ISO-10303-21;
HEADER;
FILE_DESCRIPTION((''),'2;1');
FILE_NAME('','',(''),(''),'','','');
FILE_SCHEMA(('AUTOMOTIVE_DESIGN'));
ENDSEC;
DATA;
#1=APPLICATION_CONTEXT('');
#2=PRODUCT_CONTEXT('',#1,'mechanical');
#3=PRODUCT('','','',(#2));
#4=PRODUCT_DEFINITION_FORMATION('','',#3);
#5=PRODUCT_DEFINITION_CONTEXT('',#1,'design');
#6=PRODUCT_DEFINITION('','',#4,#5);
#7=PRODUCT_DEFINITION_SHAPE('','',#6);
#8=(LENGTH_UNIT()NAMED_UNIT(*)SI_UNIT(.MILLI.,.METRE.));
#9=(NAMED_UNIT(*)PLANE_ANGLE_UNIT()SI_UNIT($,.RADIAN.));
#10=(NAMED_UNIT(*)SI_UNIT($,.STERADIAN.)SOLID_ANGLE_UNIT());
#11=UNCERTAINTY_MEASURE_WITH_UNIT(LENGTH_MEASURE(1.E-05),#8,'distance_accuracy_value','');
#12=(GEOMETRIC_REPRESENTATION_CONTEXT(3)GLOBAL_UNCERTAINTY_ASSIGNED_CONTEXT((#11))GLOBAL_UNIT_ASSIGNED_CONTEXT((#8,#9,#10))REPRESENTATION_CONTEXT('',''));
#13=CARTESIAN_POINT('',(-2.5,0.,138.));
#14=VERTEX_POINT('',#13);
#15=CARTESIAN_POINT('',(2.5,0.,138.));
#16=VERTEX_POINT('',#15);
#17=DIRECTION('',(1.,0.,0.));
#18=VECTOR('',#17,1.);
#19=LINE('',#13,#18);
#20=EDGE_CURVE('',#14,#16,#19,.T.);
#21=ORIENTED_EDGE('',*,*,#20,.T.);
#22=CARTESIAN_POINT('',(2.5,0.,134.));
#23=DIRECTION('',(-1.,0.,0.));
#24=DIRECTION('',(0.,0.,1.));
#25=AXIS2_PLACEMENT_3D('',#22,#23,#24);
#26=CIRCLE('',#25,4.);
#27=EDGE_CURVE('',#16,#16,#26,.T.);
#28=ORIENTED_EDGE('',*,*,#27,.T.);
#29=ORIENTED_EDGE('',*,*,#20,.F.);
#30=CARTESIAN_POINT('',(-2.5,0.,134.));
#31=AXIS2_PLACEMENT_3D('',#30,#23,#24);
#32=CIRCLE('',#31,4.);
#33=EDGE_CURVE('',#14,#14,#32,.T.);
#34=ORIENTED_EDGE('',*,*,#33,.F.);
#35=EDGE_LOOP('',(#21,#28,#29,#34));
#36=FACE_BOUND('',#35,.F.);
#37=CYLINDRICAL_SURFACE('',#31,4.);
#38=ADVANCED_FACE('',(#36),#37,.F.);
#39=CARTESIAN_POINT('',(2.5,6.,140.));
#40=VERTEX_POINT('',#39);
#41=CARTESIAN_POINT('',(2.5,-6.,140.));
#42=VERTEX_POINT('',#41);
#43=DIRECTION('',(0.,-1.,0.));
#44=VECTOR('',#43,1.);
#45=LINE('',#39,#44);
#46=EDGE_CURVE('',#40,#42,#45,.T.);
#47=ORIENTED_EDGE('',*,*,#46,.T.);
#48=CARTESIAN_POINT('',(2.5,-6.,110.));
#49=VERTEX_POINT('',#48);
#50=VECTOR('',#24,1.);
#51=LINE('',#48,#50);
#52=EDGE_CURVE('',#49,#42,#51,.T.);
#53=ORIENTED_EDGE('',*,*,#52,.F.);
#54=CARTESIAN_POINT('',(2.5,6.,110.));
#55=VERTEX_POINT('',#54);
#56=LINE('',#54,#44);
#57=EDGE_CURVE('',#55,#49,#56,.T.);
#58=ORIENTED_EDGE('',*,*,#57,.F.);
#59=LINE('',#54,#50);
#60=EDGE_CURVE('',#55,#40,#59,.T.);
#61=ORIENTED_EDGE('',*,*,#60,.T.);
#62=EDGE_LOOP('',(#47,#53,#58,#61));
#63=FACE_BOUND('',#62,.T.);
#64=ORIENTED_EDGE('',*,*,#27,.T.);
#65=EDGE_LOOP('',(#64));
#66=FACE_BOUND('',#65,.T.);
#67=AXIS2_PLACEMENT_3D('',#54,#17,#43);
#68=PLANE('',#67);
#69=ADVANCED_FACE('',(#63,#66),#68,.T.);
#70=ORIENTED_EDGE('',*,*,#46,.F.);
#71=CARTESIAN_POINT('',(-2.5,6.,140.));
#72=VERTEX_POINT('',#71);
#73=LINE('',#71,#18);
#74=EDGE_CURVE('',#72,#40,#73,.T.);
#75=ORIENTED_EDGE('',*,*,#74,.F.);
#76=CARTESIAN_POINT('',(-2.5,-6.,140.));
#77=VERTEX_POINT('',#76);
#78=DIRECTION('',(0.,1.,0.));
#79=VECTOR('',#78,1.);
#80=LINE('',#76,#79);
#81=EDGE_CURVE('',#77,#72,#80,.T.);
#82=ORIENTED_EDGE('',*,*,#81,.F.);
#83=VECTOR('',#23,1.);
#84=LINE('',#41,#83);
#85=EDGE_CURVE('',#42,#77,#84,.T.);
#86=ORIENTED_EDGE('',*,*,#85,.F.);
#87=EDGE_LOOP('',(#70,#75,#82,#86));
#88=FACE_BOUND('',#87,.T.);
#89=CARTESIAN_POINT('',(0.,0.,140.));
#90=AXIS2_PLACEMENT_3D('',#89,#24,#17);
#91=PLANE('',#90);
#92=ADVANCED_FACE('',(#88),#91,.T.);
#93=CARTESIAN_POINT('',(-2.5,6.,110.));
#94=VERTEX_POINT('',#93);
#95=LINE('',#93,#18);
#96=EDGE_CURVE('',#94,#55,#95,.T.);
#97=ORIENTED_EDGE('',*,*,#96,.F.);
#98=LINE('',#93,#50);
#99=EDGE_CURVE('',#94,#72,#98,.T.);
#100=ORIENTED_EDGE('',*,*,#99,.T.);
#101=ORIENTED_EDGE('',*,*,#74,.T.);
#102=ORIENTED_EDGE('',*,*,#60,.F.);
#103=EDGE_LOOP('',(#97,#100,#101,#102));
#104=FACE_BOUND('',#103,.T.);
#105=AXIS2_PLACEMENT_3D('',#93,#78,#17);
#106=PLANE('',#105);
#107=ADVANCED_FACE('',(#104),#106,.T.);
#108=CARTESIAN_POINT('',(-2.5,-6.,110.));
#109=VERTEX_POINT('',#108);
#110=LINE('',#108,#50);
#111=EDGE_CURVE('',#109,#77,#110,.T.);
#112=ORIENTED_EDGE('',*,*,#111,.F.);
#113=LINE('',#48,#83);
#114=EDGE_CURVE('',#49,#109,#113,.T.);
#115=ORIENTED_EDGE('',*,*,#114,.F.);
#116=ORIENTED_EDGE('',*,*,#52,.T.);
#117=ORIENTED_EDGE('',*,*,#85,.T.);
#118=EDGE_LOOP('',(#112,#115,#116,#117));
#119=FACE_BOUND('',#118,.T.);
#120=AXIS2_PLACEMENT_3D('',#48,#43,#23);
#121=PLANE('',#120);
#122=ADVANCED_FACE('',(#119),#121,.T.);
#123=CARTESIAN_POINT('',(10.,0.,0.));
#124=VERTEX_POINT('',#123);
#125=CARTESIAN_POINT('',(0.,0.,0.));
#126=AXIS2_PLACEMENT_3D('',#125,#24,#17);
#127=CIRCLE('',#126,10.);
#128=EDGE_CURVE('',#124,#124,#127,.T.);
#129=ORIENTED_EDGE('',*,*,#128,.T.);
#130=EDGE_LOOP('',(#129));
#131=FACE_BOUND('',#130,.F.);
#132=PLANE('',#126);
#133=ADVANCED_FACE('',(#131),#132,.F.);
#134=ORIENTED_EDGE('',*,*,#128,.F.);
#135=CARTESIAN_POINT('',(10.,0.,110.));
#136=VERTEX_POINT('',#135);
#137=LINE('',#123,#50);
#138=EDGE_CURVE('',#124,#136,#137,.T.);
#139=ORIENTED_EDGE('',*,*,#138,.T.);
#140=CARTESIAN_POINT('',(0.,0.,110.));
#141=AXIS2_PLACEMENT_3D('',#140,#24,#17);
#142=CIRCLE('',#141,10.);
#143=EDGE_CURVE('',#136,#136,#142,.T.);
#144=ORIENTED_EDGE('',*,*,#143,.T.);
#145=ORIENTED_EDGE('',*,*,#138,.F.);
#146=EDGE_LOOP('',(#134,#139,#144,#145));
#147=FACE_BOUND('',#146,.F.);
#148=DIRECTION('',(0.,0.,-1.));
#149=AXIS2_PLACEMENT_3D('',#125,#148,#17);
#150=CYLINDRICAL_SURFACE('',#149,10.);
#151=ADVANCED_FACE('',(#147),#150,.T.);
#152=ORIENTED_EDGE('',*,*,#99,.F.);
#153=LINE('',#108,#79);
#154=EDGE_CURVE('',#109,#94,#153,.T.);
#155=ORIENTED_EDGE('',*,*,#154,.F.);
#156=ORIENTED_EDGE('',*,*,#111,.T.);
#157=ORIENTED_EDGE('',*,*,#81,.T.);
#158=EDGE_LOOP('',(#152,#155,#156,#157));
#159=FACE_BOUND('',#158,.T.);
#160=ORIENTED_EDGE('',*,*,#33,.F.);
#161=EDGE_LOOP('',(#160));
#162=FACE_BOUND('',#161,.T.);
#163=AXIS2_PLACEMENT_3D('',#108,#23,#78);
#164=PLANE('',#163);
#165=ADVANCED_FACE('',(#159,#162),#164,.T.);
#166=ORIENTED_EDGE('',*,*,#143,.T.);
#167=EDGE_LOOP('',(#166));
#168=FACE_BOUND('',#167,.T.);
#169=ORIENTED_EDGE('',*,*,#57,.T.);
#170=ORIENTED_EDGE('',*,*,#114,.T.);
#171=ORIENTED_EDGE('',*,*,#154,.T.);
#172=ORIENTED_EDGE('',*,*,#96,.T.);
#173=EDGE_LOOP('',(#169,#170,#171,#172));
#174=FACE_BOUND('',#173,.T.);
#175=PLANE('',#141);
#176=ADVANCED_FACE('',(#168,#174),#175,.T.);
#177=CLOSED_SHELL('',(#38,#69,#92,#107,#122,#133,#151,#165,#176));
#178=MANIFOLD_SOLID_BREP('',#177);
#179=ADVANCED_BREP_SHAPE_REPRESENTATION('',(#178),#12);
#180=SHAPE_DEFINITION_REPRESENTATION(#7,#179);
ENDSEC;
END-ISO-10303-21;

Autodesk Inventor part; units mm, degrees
ref_plane "YZ Plane" through (0, 0, 0) normal (1, 0, 0) x (0, 1, 0)
ref_plane "XZ Plane" through (0, 0, 0) normal (0, 1, 0) x (-1, 0, 0)
ref_plane "XY Plane" through (0, 0, 0) normal (0, 0, 1) x (1, 0, 0)
sketch "Boceto1" plane through (0, 0, 0) normal (0, 0, 1) x (1, 0, 0)
  circle A0 centre (0, 0) radius 10
  dimension "d0" = 20
extrude "Extrusión1" add sketch "Boceto1" along normal blind 110
sketch "Boceto2" plane through (0, 0, 110) normal (0, 0, 1) x (1, 0, 0)
  line L0 (2.5, -6) -> (-2.5, -6)
  line L1 (-2.5, -6) -> (-2.5, 6)
  line L2 (-2.5, 6) -> (2.5, 6)
  line L3 (2.5, 6) -> (2.5, -6)
  line L4 (2.5, -6) -> (-2.5, 6) construction
  line L5 (-2.5, -6) -> (2.5, 6) construction
  point P0 (0, 0)
  dimension "d3" = 5
  dimension "d4" = 12
extrude "Extrusión2" add sketch "Boceto2" along normal blind 30
sketch "Boceto3" plane through (-2.5, -6, 110) normal (-1, 0, 0) x (0, 0, 1)
  circle A0 centre (24, 6) radius 4
  line L0 (30, 12) -> (30, 0) projected
  line L1 (0, 12) -> (30, 12) projected
  point P0 (-110, 6)
  dimension "d7" = 8
  dimension "d8" = 6
  dimension "d9" = 6
extrude "Extrusión3" cut sketch "Boceto3" against normal blind 30
properties part number "cil_sierra"
